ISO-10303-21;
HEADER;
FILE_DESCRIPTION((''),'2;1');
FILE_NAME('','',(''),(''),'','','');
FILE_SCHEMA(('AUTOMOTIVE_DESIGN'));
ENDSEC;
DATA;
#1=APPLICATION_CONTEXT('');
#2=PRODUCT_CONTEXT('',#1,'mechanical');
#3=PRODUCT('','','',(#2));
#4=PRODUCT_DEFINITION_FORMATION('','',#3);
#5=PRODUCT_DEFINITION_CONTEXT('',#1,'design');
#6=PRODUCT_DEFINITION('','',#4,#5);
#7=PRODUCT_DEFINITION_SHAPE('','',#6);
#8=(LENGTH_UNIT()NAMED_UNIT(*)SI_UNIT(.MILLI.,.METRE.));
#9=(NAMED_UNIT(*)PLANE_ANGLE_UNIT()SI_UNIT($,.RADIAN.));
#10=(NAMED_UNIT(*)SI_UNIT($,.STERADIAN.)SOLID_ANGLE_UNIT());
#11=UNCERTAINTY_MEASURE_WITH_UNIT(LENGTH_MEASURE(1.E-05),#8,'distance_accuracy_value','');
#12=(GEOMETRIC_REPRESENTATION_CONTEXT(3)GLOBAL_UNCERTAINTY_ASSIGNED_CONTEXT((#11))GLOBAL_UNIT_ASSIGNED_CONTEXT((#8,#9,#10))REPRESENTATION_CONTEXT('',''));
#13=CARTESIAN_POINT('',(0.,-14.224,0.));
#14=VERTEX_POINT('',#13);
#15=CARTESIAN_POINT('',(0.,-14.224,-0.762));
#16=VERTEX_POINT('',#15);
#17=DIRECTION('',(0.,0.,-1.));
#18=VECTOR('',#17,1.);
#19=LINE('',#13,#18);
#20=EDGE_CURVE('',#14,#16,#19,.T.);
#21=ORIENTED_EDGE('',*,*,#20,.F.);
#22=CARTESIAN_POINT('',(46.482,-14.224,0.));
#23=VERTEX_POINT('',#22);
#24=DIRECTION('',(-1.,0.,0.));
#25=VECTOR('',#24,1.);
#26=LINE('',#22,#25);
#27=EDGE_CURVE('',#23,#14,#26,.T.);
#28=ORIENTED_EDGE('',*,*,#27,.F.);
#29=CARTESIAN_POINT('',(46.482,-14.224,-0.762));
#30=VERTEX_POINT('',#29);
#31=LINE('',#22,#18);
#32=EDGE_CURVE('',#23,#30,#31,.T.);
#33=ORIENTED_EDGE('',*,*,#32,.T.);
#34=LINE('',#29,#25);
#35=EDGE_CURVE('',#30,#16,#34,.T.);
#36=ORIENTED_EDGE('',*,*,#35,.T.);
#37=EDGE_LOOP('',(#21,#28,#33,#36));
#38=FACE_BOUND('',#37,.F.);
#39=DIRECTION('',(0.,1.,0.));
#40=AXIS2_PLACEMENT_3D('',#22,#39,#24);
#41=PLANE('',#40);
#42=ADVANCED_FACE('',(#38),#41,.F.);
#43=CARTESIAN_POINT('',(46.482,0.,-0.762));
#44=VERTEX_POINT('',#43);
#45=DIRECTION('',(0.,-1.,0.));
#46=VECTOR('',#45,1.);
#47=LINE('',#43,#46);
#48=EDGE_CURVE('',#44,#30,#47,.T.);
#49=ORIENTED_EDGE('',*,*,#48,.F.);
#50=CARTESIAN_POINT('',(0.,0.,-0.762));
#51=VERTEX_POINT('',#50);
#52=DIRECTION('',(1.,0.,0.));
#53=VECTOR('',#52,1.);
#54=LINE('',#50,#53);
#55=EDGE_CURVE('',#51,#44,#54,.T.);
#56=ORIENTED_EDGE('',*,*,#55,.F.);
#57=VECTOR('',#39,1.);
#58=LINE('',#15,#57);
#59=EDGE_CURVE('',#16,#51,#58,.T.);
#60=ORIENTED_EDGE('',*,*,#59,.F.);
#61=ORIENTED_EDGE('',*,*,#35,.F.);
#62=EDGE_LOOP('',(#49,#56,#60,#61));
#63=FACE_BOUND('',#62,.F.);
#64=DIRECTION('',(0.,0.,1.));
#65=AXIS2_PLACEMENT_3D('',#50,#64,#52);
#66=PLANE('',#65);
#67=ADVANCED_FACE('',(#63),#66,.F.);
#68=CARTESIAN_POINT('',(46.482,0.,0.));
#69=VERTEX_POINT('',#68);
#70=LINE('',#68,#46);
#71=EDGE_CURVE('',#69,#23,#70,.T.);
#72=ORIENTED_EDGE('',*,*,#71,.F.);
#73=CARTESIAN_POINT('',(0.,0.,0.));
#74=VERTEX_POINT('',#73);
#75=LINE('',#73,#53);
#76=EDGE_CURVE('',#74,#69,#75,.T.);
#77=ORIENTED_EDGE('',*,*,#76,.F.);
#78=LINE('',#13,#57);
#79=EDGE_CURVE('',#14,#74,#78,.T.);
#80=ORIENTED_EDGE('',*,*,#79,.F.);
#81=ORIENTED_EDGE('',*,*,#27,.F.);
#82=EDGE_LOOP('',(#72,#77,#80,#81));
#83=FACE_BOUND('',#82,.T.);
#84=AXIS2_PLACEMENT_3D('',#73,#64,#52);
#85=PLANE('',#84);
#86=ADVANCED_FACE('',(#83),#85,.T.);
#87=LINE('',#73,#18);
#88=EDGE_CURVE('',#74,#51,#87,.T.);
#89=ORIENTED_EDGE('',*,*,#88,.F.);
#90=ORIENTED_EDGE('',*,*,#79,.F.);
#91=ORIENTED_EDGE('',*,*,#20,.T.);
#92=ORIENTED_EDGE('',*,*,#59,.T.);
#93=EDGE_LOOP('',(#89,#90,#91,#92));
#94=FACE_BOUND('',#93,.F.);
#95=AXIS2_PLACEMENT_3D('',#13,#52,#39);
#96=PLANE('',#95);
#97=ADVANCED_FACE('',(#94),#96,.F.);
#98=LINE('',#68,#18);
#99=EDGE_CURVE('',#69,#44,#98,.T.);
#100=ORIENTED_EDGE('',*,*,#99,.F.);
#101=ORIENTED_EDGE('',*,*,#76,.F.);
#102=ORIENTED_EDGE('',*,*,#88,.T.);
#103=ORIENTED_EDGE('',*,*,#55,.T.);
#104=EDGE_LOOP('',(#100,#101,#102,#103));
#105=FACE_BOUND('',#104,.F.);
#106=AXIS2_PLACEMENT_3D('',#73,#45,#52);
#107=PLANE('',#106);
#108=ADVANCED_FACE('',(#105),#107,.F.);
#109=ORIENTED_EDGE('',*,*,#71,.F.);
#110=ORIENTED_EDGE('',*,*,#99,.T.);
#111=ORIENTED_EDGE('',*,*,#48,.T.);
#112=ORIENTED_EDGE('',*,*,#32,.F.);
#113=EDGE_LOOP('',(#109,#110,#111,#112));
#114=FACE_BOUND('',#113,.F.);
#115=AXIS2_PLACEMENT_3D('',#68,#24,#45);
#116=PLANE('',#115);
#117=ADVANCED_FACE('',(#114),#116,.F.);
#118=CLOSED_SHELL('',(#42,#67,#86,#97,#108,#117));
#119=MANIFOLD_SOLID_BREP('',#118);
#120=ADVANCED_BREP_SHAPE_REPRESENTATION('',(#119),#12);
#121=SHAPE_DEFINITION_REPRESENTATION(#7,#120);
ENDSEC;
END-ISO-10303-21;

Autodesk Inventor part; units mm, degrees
ref_plane "YZ Plane" through (0, 0, 0) normal (1, 0, 0) x (0, 1, 0)
ref_plane "XZ Plane" through (0, 0, 0) normal (0, 1, 0) x (-1, 0, 0)
ref_plane "XY Plane" through (0, 0, 0) normal (0, 0, 1) x (1, 0, 0)
sketch "Sketch1" plane through (0, 0, 0) normal (0, 0, 1) x (1, 0, 0)
  line L0 (0, 0) -> (46.482, 0)
  line L1 (46.482, 0) -> (46.482, -14.224)
  line L2 (46.482, -14.224) -> (0, -14.224)
  line L3 (0, -14.224) -> (0, 0)
  dimension "d0" = 46.482
  dimension "d1" = 14.224
extrude "Extrusion1" add sketch "Sketch1" against normal blind 0.762
properties part number "Sharp 2Y0A02 Case Screen" material "Glass"
